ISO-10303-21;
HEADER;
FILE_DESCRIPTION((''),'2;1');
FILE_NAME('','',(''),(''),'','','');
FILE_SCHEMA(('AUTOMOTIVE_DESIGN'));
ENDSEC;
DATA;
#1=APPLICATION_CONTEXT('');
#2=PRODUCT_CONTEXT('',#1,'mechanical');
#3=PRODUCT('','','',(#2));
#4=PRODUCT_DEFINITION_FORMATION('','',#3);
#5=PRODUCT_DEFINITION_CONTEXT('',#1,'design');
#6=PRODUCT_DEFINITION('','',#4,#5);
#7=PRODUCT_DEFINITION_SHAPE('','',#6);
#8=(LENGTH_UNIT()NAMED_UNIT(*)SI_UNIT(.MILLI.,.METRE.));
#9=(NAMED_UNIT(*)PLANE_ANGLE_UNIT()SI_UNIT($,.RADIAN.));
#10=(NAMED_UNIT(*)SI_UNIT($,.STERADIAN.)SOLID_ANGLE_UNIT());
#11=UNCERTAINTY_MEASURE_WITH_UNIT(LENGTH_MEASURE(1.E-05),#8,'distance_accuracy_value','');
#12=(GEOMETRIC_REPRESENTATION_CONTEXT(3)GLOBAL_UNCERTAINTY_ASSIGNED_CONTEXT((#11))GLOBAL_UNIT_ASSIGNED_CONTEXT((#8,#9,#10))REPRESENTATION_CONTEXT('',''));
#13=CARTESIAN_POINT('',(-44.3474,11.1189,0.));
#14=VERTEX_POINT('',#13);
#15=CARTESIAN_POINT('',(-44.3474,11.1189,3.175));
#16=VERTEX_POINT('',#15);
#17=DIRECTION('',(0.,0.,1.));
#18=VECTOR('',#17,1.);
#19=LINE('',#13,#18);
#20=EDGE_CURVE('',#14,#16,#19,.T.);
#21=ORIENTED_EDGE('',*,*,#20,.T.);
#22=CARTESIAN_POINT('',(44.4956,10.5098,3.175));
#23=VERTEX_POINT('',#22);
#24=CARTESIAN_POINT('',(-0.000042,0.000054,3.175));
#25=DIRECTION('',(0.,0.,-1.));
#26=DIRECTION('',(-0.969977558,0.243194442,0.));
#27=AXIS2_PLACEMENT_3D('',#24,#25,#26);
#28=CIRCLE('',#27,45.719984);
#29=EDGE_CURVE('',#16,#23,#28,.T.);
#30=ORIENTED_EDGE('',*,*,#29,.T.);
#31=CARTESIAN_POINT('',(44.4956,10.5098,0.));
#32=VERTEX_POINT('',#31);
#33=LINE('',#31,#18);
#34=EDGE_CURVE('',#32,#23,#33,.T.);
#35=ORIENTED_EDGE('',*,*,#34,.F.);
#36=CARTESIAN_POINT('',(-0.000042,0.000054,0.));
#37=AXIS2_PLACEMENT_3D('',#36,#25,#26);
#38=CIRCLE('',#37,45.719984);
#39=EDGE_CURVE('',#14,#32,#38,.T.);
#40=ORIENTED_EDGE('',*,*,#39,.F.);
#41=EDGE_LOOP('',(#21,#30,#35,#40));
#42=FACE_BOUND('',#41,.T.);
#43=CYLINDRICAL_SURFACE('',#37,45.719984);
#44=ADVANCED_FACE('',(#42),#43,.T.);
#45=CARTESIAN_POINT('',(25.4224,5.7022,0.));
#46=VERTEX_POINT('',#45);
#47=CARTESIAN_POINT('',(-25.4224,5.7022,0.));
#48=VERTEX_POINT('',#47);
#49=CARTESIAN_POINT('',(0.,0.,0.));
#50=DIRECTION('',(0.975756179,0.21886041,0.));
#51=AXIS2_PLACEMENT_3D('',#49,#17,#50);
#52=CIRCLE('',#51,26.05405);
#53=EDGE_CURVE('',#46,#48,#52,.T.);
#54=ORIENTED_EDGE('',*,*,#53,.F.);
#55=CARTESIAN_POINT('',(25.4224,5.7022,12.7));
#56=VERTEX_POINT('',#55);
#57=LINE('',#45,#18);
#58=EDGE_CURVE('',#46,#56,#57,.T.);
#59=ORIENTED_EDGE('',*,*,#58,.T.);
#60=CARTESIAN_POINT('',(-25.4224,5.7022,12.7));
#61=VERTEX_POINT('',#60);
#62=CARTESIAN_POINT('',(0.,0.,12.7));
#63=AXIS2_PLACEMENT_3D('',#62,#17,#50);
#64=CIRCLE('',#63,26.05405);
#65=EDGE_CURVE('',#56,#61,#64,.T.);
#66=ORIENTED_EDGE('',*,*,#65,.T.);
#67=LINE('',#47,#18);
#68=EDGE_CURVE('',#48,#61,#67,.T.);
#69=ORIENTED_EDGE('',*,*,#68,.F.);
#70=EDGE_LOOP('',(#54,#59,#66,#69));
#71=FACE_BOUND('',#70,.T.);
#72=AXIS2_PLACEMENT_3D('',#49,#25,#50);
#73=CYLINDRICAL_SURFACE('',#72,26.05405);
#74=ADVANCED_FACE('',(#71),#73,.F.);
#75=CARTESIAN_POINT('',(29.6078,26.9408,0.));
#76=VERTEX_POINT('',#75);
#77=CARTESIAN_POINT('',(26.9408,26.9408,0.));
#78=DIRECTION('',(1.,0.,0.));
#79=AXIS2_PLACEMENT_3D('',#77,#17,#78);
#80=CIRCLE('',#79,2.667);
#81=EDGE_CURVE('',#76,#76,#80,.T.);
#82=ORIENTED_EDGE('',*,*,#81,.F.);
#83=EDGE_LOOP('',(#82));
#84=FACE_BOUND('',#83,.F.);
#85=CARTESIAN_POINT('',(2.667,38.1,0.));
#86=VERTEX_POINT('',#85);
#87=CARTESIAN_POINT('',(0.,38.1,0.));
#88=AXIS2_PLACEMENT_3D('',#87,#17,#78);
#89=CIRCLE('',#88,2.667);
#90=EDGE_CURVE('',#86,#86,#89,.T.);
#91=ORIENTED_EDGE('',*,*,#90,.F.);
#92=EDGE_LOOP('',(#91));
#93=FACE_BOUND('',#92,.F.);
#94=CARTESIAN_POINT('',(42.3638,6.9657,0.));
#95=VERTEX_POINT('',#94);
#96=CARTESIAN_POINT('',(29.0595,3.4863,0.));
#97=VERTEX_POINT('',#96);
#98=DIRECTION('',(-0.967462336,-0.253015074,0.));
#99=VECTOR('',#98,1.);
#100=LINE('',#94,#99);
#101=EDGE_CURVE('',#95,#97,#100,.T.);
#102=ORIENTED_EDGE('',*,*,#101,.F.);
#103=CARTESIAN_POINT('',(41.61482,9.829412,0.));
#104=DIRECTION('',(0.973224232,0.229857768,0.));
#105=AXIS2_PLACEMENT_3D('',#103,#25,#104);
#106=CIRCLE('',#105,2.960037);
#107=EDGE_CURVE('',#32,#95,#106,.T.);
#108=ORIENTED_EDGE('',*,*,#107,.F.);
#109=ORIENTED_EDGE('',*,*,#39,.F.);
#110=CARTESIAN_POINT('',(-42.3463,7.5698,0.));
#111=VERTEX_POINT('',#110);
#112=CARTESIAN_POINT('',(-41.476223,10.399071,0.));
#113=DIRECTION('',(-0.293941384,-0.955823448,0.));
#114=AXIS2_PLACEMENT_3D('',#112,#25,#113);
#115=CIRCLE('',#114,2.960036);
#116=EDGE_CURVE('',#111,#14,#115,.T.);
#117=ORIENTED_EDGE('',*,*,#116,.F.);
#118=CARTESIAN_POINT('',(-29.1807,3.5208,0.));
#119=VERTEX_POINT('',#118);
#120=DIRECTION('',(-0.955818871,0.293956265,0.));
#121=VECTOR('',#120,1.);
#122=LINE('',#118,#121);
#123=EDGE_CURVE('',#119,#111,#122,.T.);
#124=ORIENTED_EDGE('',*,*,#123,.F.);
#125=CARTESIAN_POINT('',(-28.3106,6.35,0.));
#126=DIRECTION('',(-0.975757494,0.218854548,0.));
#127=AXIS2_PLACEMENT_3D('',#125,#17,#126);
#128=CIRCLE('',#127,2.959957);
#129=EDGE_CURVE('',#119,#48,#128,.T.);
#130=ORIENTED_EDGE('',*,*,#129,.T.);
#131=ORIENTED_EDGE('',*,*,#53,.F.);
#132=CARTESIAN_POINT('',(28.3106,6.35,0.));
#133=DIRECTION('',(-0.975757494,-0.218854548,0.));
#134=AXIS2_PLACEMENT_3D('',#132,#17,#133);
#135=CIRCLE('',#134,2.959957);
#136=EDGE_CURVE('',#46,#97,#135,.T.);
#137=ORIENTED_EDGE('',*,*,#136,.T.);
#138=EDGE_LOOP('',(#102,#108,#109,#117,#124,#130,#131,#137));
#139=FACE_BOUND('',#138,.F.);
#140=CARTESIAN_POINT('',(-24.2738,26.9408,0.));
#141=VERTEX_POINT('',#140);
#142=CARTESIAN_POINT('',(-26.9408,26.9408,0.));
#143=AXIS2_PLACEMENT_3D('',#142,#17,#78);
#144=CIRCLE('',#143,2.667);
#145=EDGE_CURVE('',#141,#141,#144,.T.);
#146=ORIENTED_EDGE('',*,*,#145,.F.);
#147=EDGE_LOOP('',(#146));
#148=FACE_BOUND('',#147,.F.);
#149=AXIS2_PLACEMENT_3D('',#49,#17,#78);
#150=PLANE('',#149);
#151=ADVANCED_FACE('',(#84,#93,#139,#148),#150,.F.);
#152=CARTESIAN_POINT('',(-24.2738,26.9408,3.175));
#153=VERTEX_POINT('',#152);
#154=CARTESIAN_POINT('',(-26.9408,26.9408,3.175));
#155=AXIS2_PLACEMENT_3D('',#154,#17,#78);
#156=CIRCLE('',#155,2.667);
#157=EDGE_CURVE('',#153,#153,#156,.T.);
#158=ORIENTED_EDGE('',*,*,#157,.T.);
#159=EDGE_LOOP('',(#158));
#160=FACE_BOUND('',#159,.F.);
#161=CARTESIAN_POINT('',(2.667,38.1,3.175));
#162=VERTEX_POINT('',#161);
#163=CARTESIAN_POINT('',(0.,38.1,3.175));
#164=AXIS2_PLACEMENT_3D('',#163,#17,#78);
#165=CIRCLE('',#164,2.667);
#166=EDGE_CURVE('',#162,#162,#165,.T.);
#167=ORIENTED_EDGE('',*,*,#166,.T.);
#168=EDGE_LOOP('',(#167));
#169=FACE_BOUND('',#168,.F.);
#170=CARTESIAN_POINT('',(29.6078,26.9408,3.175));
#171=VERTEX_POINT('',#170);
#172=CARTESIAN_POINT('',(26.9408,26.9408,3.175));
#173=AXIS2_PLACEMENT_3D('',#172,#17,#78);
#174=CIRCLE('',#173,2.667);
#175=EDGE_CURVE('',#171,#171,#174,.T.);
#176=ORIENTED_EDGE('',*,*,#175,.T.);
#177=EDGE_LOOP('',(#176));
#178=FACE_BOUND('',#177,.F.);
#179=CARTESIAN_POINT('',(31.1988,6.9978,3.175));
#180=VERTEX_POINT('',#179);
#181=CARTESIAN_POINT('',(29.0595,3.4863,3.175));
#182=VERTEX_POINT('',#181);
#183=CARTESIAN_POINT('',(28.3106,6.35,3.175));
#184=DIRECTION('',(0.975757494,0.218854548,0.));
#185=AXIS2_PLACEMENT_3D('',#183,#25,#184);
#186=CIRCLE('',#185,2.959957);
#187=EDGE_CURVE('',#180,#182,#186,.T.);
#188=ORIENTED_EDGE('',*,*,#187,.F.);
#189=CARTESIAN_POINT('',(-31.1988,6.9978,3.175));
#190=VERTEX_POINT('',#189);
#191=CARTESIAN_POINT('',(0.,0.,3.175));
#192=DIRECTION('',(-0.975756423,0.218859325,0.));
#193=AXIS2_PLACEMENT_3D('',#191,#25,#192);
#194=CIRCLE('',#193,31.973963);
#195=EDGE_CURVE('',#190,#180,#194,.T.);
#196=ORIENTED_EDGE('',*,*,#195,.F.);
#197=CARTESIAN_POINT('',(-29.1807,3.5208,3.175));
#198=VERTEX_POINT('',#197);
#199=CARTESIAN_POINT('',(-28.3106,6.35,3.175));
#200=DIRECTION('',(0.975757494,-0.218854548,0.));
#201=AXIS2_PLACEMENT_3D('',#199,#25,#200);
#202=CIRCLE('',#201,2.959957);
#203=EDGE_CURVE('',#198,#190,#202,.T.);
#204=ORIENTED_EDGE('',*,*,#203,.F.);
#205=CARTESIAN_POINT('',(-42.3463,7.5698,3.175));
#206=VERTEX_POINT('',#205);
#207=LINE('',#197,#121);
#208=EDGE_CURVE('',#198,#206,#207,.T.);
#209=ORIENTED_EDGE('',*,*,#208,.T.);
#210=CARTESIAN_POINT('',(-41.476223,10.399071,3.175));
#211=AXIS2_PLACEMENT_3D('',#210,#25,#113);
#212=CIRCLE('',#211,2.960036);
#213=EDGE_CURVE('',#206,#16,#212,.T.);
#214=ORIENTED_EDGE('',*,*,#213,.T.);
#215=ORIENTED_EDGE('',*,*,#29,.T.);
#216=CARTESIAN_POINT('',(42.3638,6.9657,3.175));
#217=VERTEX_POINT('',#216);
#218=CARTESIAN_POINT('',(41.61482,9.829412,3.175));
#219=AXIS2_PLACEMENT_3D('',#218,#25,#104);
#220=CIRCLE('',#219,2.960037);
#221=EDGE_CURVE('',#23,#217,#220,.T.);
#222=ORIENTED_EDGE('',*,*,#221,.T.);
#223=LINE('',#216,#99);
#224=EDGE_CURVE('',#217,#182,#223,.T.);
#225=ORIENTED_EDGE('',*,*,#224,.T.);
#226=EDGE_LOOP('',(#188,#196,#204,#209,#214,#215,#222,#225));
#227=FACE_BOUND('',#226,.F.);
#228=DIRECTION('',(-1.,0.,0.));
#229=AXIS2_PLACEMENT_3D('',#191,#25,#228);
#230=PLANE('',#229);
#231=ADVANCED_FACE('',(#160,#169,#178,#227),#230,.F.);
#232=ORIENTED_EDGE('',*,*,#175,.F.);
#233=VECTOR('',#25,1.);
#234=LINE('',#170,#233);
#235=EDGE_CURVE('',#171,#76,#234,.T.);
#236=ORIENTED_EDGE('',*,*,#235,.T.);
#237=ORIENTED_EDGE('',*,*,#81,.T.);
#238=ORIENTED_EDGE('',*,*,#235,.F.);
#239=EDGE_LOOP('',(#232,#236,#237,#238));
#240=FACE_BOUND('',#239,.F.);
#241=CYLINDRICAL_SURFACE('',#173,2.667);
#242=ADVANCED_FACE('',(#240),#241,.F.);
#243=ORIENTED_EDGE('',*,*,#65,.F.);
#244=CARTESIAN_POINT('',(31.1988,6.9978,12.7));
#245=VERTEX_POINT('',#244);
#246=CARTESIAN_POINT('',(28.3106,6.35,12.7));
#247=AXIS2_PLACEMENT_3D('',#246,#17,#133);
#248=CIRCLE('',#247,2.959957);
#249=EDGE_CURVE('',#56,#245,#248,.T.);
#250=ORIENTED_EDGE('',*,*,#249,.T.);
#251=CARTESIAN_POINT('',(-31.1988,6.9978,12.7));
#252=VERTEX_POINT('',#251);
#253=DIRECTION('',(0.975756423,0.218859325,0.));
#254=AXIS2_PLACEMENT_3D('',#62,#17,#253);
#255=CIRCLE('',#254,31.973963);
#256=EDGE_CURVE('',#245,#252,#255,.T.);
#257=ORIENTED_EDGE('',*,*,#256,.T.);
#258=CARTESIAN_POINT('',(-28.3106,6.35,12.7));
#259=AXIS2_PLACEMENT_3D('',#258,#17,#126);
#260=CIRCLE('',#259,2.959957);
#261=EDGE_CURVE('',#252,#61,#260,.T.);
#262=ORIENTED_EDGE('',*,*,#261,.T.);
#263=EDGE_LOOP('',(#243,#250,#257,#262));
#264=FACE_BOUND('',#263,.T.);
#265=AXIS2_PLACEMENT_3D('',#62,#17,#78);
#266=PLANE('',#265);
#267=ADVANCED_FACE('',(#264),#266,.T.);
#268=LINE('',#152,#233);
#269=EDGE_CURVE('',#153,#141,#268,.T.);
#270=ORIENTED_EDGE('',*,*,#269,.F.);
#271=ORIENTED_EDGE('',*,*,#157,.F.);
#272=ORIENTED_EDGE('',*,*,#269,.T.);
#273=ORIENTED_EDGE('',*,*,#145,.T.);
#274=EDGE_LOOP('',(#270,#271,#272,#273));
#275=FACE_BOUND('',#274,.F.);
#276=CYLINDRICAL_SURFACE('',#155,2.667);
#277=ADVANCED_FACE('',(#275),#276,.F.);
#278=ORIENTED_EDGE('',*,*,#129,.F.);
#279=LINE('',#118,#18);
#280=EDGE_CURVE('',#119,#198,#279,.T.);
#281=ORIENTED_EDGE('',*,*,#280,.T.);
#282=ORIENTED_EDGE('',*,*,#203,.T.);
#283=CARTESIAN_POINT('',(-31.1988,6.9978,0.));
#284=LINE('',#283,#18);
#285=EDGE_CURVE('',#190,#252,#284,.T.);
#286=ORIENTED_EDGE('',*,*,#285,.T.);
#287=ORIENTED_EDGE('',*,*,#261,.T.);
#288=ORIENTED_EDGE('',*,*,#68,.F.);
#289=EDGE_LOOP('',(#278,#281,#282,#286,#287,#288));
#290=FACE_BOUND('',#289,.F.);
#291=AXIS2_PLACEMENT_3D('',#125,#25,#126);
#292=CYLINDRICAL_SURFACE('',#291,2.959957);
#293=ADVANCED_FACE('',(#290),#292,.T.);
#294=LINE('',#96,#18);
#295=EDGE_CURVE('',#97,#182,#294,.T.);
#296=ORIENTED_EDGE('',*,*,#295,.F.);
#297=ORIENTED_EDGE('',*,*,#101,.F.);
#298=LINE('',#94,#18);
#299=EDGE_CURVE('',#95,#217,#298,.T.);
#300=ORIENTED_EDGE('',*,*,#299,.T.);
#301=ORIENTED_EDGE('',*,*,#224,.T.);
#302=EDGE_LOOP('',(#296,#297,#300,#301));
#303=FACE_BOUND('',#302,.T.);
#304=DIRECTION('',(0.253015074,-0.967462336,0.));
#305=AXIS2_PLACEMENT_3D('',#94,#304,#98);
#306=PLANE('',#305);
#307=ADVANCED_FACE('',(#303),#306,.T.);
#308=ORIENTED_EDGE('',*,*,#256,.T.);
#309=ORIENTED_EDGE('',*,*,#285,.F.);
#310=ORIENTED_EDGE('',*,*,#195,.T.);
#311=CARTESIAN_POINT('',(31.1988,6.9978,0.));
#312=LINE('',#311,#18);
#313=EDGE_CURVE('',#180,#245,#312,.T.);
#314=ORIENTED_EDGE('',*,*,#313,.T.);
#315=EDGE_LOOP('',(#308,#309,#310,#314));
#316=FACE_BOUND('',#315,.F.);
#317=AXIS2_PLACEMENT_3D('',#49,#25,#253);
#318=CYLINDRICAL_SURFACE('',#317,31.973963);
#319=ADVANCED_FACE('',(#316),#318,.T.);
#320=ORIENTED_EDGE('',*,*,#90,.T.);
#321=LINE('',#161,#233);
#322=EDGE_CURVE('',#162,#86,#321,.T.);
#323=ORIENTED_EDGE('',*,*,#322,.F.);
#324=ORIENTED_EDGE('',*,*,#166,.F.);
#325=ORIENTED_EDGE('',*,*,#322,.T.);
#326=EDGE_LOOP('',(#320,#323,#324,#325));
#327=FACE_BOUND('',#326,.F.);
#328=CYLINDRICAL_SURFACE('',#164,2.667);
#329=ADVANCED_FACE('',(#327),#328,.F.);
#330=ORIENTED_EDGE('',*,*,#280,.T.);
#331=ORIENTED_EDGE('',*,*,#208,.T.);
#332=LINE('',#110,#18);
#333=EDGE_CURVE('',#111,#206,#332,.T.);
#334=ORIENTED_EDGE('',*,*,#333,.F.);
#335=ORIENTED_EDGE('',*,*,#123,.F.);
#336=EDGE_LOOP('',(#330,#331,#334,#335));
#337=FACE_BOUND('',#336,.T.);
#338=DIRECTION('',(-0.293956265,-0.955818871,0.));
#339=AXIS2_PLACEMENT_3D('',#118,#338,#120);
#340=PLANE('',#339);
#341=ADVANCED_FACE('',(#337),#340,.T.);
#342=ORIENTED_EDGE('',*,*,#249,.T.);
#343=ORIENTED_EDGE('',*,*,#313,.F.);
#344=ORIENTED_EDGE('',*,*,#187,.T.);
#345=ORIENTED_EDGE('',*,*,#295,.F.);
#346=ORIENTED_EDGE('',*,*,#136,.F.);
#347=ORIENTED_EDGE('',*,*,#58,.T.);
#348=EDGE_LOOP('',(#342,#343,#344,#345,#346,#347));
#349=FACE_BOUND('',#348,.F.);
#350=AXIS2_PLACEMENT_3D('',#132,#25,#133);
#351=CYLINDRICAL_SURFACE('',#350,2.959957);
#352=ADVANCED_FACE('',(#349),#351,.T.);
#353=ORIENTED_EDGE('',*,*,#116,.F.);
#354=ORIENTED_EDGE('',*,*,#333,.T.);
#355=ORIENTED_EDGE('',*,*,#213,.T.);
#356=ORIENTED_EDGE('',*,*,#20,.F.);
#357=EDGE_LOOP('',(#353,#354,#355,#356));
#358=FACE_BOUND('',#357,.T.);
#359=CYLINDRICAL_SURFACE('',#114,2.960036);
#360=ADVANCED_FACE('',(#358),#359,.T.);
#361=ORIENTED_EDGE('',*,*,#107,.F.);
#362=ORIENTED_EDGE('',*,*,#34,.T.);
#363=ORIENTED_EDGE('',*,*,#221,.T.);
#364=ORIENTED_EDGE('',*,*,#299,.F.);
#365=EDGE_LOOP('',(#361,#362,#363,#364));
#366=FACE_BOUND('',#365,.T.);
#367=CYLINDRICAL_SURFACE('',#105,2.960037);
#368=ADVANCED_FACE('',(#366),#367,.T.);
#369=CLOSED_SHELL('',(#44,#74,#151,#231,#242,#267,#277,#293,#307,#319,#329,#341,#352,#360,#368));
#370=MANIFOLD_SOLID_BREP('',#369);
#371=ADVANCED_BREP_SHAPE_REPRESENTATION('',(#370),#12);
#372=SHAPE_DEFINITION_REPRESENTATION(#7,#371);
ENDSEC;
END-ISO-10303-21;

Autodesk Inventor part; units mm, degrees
ref_plane "YZ Plane" through (0, 0, 0) normal (1, 0, 0) x (0, 1, 0)
ref_plane "XZ Plane" through (0, 0, 0) normal (0, 1, 0) x (-1, 0, 0)
ref_plane "XY Plane" through (0, 0, 0) normal (0, 0, 1) x (1, 0, 0)
sketch "Sketch1" plane through (0, 0, 0) normal (0, 0, 1) x (1, 0, 0)
  arc A0 (28.3106, 6.35) -> (-28.3106, 6.35) centre (0, 0) ccw construction
  arc A1 (31.1988, 6.9978) -> (-31.1988, 6.9978) centre (0, 0) ccw
  arc A2 (25.4224, 5.7022) -> (-25.4224, 5.7022) centre (0, 0) ccw
  arc A3 (25.4224, 5.7022) -> (31.1988, 6.9978) centre (28.3106, 6.35) ccw
  arc A4 (-31.1988, 6.9978) -> (-25.4224, 5.7022) centre (-28.3106, 6.35) ccw
  dimension "d0" = 2.96
  dimension "d1" = 26.054
  dimension "d2" = 6.35
  dimension "d5" = 31.974
extrude "Extrusion1" add sketch "Sketch1" along normal blind 12.7
sketch "Sketch2" plane through (0, 0, 0) normal (0, 0, -1) x (-1, 0, 0)
  arc A0 (31.1988, 6.9978) -> (-31.1988, 6.9978) centre (0, 0) ccw projected
  arc A1 (44.3474, 11.1189) -> (-44.4956, 10.5098) centre (0, 0) ccw
  arc A2 (-44.4956, 10.5098) -> (-42.3638, 6.9657) centre (-41.6149, 9.8294) ccw
  line L0 (-42.3638, 6.9657) -> (-29.0595, 3.4863)
  arc A3 (-31.1988, 6.9978) -> (-25.4224, 5.7022) centre (-28.3106, 6.35) ccw projected
  arc A4 (25.4224, 5.7022) -> (31.1988, 6.9978) centre (28.3106, 6.35) ccw projected
  line L1 (29.1807, 3.5208) -> (42.3463, 7.5698)
  arc A5 (42.3463, 7.5698) -> (44.3474, 11.1189) centre (41.4762, 10.3991) ccw
  arc A6 (-31.1988, 6.9978) -> (-25.4224, 5.7022) centre (-28.3106, 6.35) ccw projected
  dimension "d6" = 45.72
extrude "Extrusion2" add sketch "Sketch2" against normal blind 3.175
sketch "Sketch3" plane through (0, 0, 3.175) normal (0, 0, 1) x (1, 0, 0)
  circle A0 centre (-26.9408, 26.9408) radius 2.667
  line L0 (0, 0) -> (0, 4.8755)
  circle A1 centre (0, 38.1) radius 2.667
  circle A2 centre (26.9408, 26.9408) radius 2.667
  dimension "d9" = 5.334
  dimension "d10" = 38.1
  dimension "d11" = 45
  dimension "d14" = 90
extrude "Extrusion3" cut sketch "Sketch3" against normal through all
properties part number "HoseClampShaftCollarShooterMount"
